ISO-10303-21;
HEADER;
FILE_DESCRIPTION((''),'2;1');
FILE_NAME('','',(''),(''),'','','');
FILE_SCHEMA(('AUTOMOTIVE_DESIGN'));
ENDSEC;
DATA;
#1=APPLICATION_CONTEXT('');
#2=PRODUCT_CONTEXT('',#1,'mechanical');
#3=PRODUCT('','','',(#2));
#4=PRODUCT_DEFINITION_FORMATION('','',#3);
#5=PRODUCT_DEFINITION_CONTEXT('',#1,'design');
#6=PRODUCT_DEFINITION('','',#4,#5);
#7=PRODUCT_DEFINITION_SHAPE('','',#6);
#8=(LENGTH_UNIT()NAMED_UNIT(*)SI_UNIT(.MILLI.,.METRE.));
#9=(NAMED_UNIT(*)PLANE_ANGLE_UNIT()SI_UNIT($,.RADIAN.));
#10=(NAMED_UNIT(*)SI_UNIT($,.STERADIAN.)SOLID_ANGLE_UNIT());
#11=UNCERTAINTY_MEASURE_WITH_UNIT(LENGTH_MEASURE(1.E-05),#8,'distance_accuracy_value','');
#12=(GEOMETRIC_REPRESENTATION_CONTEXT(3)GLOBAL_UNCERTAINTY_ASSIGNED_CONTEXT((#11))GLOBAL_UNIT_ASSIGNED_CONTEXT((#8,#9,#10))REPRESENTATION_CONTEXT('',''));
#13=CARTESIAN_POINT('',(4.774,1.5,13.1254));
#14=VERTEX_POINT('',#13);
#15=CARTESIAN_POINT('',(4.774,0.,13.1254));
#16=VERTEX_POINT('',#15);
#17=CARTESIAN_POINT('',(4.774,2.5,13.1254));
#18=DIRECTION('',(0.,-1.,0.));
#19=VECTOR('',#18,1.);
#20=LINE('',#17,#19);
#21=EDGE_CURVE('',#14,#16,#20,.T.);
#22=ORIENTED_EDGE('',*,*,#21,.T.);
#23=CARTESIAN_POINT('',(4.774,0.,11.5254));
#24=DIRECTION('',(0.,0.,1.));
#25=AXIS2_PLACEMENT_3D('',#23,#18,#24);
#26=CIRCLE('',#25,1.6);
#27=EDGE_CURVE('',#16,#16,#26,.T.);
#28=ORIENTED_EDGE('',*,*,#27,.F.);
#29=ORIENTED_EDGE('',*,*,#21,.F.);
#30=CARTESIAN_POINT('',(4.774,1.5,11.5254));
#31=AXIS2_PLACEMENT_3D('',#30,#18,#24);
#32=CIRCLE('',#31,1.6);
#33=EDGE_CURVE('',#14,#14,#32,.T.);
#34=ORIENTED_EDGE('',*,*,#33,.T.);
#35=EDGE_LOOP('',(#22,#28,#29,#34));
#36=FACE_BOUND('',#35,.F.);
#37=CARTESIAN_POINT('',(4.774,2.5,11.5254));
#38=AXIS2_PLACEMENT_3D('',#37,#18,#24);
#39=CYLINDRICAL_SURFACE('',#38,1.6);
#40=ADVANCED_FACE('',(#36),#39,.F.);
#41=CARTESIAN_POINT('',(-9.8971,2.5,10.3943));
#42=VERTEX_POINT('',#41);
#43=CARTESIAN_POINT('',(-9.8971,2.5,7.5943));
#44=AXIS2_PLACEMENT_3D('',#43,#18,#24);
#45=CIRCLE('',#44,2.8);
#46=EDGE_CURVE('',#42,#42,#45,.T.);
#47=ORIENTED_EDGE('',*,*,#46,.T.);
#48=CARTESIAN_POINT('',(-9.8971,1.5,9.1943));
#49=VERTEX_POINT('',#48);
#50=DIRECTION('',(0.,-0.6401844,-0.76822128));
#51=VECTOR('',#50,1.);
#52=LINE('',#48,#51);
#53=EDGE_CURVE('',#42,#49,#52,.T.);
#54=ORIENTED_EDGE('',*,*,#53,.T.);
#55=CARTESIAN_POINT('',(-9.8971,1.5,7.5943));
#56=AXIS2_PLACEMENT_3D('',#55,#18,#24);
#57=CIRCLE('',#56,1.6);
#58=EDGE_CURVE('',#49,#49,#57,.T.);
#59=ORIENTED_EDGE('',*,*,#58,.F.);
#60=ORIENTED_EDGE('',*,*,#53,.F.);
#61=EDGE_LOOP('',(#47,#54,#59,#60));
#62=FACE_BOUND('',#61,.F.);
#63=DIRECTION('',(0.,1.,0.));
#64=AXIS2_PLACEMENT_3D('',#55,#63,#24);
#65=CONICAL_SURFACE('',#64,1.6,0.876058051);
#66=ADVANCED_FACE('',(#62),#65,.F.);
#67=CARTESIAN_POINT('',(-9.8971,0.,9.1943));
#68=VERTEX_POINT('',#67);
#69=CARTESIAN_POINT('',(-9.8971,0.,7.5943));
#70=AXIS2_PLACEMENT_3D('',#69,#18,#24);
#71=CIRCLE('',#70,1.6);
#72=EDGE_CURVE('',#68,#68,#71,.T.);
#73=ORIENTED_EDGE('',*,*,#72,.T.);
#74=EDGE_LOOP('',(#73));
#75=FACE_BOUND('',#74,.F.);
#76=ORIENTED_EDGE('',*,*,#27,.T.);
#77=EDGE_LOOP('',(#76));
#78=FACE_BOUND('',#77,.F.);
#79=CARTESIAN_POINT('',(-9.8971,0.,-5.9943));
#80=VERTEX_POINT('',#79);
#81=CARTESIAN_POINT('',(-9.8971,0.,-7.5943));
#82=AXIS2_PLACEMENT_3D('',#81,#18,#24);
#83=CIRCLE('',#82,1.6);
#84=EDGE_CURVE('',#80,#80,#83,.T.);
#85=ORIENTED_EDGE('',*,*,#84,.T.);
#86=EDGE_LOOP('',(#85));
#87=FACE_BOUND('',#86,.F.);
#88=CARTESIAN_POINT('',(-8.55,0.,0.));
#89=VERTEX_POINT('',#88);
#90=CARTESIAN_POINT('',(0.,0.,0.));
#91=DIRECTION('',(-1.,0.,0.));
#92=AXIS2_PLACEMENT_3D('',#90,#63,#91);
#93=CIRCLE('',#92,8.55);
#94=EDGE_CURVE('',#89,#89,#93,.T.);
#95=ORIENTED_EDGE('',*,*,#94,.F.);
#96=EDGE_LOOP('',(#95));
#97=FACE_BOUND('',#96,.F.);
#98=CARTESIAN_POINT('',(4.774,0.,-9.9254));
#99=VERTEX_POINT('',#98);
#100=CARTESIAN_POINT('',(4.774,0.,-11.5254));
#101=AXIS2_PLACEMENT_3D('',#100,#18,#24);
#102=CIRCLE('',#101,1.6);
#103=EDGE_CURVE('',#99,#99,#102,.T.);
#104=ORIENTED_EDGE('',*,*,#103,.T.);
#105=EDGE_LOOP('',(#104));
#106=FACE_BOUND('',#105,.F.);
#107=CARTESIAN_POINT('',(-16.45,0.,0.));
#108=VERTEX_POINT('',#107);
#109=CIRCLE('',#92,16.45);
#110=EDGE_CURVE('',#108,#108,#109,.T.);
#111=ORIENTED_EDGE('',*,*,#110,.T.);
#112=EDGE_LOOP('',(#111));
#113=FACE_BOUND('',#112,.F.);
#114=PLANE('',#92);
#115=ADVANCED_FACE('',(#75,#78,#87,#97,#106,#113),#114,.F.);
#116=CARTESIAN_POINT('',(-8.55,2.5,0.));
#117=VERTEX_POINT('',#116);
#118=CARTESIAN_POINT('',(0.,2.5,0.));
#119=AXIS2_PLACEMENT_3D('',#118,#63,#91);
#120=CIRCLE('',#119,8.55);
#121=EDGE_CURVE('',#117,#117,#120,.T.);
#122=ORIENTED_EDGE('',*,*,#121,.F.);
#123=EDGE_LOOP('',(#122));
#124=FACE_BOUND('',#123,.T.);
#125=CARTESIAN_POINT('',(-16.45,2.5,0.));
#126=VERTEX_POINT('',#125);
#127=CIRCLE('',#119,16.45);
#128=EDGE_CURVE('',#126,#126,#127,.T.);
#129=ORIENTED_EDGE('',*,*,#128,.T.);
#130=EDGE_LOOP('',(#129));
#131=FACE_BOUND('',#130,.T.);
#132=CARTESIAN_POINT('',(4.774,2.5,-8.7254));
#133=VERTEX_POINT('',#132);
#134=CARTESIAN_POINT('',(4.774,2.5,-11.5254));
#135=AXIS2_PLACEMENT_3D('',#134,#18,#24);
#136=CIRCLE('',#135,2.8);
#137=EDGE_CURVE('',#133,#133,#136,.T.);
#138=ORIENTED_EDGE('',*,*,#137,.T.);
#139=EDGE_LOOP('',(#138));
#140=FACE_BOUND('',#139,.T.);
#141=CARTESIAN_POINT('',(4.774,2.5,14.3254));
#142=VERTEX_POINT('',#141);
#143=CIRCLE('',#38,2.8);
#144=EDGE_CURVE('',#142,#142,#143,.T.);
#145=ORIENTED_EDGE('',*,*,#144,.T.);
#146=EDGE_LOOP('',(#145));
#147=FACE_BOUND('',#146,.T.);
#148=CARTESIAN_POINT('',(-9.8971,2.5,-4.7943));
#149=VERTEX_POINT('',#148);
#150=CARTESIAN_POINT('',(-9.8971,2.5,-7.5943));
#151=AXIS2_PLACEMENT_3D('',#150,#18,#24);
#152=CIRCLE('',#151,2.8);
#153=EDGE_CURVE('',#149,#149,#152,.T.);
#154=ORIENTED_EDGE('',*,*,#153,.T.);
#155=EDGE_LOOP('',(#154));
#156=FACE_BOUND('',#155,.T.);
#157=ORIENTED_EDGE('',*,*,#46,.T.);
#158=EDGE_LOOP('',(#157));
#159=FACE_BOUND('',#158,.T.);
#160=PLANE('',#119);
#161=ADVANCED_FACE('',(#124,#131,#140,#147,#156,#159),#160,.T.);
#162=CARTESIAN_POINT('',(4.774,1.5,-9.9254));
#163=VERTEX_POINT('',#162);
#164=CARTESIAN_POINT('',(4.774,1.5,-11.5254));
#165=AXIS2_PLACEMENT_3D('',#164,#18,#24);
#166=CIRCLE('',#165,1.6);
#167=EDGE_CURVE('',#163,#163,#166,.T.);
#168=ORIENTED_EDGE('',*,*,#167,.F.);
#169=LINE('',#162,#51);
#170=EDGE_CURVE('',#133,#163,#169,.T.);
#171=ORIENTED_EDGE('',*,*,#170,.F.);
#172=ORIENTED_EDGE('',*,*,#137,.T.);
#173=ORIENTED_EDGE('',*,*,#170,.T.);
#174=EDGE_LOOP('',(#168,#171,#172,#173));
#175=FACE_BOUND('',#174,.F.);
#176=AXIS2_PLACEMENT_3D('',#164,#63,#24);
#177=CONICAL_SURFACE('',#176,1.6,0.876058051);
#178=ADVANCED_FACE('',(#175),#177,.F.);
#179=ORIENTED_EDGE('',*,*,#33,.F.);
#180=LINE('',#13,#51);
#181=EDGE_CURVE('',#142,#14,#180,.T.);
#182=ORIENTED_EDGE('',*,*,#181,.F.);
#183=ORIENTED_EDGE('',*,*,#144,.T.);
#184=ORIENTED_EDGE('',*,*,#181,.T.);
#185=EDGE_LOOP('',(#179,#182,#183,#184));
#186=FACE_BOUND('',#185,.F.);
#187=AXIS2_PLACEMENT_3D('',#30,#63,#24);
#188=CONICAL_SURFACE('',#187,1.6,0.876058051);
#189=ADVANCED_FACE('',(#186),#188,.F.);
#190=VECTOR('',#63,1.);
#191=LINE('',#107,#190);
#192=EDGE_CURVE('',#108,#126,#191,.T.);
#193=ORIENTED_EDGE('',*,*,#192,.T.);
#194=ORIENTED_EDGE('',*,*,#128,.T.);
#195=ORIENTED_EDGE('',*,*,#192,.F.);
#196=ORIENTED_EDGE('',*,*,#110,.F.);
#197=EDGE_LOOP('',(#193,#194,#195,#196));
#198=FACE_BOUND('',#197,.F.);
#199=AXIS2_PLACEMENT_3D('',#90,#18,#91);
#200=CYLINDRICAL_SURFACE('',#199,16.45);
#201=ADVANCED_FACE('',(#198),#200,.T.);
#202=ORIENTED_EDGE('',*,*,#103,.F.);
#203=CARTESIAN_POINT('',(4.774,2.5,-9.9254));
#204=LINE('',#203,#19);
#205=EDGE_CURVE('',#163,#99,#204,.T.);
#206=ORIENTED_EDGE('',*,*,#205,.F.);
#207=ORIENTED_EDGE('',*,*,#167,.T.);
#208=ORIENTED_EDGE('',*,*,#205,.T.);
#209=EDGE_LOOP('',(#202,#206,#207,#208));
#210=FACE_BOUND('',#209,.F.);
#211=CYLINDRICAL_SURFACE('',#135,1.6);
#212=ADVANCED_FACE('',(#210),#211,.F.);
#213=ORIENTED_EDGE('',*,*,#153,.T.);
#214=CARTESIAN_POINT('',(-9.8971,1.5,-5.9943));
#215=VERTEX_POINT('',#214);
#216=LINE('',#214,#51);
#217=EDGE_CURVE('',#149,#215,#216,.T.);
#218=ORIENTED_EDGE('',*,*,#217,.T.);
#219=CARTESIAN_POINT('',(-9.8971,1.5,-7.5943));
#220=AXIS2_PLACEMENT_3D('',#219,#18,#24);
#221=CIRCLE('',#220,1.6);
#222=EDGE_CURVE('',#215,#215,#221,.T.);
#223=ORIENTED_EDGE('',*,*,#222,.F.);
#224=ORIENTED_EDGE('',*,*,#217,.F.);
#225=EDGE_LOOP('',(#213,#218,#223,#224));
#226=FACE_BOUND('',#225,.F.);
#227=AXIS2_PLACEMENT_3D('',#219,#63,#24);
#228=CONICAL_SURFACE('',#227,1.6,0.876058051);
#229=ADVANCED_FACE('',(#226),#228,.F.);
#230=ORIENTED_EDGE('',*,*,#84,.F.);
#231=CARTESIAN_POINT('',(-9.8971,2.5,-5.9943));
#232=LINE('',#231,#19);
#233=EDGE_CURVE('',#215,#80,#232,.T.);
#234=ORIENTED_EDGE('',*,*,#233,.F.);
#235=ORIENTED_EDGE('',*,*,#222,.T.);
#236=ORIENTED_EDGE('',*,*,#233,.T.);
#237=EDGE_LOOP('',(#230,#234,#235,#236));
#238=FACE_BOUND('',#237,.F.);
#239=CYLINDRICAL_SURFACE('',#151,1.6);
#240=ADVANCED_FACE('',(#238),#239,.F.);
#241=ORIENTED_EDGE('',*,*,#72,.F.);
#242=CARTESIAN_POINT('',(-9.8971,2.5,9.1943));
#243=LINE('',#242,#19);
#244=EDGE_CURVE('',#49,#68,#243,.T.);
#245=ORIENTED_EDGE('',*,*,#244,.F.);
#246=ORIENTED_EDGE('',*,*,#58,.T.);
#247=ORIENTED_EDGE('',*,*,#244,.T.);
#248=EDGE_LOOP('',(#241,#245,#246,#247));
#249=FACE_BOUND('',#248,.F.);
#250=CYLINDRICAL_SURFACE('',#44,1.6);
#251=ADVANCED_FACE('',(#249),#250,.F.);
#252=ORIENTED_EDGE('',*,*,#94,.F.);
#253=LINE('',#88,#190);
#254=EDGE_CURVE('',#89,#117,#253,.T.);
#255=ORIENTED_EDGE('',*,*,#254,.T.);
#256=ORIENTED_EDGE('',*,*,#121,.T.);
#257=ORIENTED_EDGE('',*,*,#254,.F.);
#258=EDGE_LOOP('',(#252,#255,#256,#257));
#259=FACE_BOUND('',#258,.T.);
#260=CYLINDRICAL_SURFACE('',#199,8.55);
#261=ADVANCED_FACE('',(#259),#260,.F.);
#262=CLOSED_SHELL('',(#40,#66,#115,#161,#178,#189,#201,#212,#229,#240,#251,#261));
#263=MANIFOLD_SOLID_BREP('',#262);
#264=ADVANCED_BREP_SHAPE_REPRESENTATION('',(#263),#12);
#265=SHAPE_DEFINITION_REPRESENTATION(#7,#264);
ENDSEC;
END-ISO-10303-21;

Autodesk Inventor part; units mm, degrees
ref_plane "YZ Plane" through (0, 0, 0) normal (1, 0, 0) x (0, 1, 0)
ref_plane "XZ Plane" through (0, 0, 0) normal (0, 1, 0) x (-1, 0, 0)
ref_plane "XY Plane" through (0, 0, 0) normal (0, 0, 1) x (1, 0, 0)
sketch "Sketch1" plane through (0, 0, 0) normal (0, 1, 0) x (-1, 0, 0)
  circle A0 centre (0, 0) radius 16.45
  circle A1 centre (0, 0) radius 8.55
  dimension "d0" = 32.9
  dimension "d1" = 17.1
extrude "Extrusion1" add sketch "Sketch1" along normal blind 2.5
sketch "Sketch2" plane through (0, 2.5, 0) normal (0, 1, 0) x (1, 0, 0)
  circle A0 centre (0, 0) radius 12.475
  line L0 (0, 0) -> (4.774, -11.5254)
  line L1 (0, 0) -> (21.8352, 0) construction
  line L2 (0, 0) -> (4.774, 11.5254)
  line L3 (0, 0) -> (76.5, 0) construction
  point P0 (-9.8971, -7.5943)
  point P1 (-9.8971, 7.5943)
  point P2 (4.774, 11.5254)
  dimension "d4" = 24.95
  dimension "d5" = 67.5
  dimension "d7" = 67.5
  dimension "d10" = 225
hole "Hole1" at (4.774, 2.5, 11.5254) at (-9.8971, 2.5, 7.5943) at (-9.8971, 2.5, -7.5943) at (4.774, 2.5, -11.5254) direction (0, -1, 0) diameter 3.2 depth 4 tip angle 118
chamfer "Chamfer1" distance 1.2 distance2 1 4 edges at (4.774, 2.5, -13.1254) (-9.8971, 2.5, -9.1943) (4.774, 2.5, 9.9254) (-9.8971, 2.5, 5.9943) measured on face at (-5.8151, 2.5, -10.6262)
properties part number "Simple_Mouting_Bracket"
